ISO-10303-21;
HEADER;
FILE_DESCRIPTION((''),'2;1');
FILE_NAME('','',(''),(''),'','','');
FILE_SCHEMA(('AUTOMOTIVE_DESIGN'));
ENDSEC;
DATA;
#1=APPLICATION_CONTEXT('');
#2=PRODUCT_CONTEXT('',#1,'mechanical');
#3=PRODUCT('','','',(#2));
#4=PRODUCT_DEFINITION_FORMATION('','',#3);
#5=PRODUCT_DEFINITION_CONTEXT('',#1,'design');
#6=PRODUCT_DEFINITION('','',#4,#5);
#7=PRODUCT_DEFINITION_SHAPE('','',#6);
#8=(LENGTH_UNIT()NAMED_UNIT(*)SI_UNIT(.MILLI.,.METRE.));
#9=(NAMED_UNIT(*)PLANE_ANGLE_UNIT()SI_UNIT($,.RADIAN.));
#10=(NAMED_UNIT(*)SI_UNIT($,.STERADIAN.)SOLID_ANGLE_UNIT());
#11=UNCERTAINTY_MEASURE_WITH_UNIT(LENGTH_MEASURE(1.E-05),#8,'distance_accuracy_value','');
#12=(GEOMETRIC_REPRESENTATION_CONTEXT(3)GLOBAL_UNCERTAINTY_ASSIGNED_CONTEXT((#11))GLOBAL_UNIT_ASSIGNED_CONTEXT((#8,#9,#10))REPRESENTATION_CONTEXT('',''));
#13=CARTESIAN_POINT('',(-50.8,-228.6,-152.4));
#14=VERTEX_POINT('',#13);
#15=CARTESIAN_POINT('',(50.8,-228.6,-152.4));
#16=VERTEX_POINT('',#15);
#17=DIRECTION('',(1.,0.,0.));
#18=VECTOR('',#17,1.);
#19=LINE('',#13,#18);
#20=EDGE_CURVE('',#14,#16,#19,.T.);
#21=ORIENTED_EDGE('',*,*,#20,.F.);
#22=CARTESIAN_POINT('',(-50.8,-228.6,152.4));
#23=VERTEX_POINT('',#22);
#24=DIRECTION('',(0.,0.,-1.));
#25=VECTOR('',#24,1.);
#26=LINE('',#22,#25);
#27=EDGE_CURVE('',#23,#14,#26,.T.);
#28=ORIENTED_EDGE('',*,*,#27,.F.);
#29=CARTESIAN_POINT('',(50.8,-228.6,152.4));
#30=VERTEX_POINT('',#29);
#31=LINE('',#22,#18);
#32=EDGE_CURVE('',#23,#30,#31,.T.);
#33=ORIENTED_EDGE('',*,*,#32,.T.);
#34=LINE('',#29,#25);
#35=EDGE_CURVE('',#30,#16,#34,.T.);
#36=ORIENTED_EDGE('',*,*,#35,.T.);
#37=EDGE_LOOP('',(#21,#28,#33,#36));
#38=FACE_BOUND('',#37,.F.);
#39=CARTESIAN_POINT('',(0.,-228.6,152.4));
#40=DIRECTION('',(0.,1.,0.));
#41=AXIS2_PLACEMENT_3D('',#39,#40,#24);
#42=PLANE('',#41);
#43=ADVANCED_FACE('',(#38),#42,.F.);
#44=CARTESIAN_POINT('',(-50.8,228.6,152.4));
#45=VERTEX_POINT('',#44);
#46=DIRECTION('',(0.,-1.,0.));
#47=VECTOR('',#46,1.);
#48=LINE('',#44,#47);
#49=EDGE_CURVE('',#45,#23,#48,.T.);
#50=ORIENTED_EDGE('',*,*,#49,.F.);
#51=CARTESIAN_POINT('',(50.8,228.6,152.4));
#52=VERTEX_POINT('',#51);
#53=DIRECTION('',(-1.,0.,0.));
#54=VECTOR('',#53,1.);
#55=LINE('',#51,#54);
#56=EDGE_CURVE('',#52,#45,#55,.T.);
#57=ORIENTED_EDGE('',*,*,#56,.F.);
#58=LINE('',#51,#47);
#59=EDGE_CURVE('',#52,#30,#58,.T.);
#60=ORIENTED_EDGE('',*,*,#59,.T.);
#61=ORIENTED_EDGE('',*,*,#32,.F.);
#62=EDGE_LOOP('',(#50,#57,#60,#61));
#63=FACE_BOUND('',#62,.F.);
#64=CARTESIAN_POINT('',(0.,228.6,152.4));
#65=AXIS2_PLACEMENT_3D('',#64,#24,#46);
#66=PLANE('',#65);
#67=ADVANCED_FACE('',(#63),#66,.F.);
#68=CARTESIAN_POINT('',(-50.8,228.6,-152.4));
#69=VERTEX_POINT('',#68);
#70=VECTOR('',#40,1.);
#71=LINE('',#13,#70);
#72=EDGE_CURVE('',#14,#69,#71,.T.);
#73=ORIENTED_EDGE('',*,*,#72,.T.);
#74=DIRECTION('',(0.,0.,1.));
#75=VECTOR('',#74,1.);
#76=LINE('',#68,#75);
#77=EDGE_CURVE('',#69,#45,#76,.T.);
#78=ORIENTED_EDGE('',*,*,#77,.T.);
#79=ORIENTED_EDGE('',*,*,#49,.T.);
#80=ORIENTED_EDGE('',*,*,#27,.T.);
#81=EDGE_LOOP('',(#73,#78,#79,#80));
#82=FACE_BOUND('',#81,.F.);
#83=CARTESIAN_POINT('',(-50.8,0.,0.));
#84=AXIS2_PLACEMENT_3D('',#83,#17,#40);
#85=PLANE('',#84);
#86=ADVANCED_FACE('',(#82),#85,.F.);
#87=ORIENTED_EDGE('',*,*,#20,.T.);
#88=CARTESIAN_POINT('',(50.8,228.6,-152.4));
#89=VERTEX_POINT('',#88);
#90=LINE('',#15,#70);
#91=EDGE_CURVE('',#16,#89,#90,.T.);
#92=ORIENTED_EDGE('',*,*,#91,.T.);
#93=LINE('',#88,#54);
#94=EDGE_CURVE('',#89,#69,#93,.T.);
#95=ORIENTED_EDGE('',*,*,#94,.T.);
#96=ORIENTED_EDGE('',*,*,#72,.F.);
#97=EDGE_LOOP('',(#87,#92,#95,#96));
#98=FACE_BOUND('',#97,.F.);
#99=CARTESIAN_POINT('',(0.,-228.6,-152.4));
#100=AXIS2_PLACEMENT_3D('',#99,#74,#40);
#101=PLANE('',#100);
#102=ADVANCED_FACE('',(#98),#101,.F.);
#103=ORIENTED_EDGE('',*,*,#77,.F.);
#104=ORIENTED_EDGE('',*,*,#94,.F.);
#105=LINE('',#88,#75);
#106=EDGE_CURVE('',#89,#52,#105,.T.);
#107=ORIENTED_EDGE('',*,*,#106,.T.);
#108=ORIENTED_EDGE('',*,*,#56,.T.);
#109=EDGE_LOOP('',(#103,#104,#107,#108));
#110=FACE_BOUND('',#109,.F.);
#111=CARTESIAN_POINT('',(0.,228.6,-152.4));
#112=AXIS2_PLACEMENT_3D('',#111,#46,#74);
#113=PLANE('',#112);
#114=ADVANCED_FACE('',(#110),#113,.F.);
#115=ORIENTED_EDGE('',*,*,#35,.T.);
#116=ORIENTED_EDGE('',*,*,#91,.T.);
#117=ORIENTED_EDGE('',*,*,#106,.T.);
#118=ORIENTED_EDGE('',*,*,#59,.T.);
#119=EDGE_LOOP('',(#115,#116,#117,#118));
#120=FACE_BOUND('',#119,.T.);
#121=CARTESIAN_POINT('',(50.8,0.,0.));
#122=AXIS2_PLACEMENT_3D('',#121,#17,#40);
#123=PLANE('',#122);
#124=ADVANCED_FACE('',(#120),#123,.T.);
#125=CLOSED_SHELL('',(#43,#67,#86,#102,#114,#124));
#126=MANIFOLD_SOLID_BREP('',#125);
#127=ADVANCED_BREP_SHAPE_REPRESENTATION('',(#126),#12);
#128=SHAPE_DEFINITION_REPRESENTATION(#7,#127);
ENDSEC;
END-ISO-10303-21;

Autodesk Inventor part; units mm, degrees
ref_plane "YZ Plane" through (0, 0, 0) normal (1, 0, 0) x (0, 1, 0)
ref_plane "XZ Plane" through (0, 0, 0) normal (0, 1, 0) x (-1, 0, 0)
ref_plane "XY Plane" through (0, 0, 0) normal (0, 0, 1) x (1, 0, 0)
sketch "Sketch1" plane through (0, 0, 0) normal (1, 0, 0) x (0, 1, 0)
  line L0 (-228.6, 152.4) -> (-228.6, -152.4)
  line L1 (-228.6, -152.4) -> (228.6, -152.4)
  line L2 (228.6, -152.4) -> (228.6, 152.4)
  line L3 (228.6, 152.4) -> (-228.6, 152.4)
  line L4 (-228.6, 152.4) -> (228.6, -152.4) construction
  line L5 (-228.6, -152.4) -> (228.6, 152.4) construction
  point P0 (0, 0)
  dimension "d0" = 457.2
  dimension "d1" = 304.8
extrude "Extrusion1" add sketch "Sketch1" along normal mid plane 101.6
properties part number "Pool Controller" material "Aluminum 6061"
